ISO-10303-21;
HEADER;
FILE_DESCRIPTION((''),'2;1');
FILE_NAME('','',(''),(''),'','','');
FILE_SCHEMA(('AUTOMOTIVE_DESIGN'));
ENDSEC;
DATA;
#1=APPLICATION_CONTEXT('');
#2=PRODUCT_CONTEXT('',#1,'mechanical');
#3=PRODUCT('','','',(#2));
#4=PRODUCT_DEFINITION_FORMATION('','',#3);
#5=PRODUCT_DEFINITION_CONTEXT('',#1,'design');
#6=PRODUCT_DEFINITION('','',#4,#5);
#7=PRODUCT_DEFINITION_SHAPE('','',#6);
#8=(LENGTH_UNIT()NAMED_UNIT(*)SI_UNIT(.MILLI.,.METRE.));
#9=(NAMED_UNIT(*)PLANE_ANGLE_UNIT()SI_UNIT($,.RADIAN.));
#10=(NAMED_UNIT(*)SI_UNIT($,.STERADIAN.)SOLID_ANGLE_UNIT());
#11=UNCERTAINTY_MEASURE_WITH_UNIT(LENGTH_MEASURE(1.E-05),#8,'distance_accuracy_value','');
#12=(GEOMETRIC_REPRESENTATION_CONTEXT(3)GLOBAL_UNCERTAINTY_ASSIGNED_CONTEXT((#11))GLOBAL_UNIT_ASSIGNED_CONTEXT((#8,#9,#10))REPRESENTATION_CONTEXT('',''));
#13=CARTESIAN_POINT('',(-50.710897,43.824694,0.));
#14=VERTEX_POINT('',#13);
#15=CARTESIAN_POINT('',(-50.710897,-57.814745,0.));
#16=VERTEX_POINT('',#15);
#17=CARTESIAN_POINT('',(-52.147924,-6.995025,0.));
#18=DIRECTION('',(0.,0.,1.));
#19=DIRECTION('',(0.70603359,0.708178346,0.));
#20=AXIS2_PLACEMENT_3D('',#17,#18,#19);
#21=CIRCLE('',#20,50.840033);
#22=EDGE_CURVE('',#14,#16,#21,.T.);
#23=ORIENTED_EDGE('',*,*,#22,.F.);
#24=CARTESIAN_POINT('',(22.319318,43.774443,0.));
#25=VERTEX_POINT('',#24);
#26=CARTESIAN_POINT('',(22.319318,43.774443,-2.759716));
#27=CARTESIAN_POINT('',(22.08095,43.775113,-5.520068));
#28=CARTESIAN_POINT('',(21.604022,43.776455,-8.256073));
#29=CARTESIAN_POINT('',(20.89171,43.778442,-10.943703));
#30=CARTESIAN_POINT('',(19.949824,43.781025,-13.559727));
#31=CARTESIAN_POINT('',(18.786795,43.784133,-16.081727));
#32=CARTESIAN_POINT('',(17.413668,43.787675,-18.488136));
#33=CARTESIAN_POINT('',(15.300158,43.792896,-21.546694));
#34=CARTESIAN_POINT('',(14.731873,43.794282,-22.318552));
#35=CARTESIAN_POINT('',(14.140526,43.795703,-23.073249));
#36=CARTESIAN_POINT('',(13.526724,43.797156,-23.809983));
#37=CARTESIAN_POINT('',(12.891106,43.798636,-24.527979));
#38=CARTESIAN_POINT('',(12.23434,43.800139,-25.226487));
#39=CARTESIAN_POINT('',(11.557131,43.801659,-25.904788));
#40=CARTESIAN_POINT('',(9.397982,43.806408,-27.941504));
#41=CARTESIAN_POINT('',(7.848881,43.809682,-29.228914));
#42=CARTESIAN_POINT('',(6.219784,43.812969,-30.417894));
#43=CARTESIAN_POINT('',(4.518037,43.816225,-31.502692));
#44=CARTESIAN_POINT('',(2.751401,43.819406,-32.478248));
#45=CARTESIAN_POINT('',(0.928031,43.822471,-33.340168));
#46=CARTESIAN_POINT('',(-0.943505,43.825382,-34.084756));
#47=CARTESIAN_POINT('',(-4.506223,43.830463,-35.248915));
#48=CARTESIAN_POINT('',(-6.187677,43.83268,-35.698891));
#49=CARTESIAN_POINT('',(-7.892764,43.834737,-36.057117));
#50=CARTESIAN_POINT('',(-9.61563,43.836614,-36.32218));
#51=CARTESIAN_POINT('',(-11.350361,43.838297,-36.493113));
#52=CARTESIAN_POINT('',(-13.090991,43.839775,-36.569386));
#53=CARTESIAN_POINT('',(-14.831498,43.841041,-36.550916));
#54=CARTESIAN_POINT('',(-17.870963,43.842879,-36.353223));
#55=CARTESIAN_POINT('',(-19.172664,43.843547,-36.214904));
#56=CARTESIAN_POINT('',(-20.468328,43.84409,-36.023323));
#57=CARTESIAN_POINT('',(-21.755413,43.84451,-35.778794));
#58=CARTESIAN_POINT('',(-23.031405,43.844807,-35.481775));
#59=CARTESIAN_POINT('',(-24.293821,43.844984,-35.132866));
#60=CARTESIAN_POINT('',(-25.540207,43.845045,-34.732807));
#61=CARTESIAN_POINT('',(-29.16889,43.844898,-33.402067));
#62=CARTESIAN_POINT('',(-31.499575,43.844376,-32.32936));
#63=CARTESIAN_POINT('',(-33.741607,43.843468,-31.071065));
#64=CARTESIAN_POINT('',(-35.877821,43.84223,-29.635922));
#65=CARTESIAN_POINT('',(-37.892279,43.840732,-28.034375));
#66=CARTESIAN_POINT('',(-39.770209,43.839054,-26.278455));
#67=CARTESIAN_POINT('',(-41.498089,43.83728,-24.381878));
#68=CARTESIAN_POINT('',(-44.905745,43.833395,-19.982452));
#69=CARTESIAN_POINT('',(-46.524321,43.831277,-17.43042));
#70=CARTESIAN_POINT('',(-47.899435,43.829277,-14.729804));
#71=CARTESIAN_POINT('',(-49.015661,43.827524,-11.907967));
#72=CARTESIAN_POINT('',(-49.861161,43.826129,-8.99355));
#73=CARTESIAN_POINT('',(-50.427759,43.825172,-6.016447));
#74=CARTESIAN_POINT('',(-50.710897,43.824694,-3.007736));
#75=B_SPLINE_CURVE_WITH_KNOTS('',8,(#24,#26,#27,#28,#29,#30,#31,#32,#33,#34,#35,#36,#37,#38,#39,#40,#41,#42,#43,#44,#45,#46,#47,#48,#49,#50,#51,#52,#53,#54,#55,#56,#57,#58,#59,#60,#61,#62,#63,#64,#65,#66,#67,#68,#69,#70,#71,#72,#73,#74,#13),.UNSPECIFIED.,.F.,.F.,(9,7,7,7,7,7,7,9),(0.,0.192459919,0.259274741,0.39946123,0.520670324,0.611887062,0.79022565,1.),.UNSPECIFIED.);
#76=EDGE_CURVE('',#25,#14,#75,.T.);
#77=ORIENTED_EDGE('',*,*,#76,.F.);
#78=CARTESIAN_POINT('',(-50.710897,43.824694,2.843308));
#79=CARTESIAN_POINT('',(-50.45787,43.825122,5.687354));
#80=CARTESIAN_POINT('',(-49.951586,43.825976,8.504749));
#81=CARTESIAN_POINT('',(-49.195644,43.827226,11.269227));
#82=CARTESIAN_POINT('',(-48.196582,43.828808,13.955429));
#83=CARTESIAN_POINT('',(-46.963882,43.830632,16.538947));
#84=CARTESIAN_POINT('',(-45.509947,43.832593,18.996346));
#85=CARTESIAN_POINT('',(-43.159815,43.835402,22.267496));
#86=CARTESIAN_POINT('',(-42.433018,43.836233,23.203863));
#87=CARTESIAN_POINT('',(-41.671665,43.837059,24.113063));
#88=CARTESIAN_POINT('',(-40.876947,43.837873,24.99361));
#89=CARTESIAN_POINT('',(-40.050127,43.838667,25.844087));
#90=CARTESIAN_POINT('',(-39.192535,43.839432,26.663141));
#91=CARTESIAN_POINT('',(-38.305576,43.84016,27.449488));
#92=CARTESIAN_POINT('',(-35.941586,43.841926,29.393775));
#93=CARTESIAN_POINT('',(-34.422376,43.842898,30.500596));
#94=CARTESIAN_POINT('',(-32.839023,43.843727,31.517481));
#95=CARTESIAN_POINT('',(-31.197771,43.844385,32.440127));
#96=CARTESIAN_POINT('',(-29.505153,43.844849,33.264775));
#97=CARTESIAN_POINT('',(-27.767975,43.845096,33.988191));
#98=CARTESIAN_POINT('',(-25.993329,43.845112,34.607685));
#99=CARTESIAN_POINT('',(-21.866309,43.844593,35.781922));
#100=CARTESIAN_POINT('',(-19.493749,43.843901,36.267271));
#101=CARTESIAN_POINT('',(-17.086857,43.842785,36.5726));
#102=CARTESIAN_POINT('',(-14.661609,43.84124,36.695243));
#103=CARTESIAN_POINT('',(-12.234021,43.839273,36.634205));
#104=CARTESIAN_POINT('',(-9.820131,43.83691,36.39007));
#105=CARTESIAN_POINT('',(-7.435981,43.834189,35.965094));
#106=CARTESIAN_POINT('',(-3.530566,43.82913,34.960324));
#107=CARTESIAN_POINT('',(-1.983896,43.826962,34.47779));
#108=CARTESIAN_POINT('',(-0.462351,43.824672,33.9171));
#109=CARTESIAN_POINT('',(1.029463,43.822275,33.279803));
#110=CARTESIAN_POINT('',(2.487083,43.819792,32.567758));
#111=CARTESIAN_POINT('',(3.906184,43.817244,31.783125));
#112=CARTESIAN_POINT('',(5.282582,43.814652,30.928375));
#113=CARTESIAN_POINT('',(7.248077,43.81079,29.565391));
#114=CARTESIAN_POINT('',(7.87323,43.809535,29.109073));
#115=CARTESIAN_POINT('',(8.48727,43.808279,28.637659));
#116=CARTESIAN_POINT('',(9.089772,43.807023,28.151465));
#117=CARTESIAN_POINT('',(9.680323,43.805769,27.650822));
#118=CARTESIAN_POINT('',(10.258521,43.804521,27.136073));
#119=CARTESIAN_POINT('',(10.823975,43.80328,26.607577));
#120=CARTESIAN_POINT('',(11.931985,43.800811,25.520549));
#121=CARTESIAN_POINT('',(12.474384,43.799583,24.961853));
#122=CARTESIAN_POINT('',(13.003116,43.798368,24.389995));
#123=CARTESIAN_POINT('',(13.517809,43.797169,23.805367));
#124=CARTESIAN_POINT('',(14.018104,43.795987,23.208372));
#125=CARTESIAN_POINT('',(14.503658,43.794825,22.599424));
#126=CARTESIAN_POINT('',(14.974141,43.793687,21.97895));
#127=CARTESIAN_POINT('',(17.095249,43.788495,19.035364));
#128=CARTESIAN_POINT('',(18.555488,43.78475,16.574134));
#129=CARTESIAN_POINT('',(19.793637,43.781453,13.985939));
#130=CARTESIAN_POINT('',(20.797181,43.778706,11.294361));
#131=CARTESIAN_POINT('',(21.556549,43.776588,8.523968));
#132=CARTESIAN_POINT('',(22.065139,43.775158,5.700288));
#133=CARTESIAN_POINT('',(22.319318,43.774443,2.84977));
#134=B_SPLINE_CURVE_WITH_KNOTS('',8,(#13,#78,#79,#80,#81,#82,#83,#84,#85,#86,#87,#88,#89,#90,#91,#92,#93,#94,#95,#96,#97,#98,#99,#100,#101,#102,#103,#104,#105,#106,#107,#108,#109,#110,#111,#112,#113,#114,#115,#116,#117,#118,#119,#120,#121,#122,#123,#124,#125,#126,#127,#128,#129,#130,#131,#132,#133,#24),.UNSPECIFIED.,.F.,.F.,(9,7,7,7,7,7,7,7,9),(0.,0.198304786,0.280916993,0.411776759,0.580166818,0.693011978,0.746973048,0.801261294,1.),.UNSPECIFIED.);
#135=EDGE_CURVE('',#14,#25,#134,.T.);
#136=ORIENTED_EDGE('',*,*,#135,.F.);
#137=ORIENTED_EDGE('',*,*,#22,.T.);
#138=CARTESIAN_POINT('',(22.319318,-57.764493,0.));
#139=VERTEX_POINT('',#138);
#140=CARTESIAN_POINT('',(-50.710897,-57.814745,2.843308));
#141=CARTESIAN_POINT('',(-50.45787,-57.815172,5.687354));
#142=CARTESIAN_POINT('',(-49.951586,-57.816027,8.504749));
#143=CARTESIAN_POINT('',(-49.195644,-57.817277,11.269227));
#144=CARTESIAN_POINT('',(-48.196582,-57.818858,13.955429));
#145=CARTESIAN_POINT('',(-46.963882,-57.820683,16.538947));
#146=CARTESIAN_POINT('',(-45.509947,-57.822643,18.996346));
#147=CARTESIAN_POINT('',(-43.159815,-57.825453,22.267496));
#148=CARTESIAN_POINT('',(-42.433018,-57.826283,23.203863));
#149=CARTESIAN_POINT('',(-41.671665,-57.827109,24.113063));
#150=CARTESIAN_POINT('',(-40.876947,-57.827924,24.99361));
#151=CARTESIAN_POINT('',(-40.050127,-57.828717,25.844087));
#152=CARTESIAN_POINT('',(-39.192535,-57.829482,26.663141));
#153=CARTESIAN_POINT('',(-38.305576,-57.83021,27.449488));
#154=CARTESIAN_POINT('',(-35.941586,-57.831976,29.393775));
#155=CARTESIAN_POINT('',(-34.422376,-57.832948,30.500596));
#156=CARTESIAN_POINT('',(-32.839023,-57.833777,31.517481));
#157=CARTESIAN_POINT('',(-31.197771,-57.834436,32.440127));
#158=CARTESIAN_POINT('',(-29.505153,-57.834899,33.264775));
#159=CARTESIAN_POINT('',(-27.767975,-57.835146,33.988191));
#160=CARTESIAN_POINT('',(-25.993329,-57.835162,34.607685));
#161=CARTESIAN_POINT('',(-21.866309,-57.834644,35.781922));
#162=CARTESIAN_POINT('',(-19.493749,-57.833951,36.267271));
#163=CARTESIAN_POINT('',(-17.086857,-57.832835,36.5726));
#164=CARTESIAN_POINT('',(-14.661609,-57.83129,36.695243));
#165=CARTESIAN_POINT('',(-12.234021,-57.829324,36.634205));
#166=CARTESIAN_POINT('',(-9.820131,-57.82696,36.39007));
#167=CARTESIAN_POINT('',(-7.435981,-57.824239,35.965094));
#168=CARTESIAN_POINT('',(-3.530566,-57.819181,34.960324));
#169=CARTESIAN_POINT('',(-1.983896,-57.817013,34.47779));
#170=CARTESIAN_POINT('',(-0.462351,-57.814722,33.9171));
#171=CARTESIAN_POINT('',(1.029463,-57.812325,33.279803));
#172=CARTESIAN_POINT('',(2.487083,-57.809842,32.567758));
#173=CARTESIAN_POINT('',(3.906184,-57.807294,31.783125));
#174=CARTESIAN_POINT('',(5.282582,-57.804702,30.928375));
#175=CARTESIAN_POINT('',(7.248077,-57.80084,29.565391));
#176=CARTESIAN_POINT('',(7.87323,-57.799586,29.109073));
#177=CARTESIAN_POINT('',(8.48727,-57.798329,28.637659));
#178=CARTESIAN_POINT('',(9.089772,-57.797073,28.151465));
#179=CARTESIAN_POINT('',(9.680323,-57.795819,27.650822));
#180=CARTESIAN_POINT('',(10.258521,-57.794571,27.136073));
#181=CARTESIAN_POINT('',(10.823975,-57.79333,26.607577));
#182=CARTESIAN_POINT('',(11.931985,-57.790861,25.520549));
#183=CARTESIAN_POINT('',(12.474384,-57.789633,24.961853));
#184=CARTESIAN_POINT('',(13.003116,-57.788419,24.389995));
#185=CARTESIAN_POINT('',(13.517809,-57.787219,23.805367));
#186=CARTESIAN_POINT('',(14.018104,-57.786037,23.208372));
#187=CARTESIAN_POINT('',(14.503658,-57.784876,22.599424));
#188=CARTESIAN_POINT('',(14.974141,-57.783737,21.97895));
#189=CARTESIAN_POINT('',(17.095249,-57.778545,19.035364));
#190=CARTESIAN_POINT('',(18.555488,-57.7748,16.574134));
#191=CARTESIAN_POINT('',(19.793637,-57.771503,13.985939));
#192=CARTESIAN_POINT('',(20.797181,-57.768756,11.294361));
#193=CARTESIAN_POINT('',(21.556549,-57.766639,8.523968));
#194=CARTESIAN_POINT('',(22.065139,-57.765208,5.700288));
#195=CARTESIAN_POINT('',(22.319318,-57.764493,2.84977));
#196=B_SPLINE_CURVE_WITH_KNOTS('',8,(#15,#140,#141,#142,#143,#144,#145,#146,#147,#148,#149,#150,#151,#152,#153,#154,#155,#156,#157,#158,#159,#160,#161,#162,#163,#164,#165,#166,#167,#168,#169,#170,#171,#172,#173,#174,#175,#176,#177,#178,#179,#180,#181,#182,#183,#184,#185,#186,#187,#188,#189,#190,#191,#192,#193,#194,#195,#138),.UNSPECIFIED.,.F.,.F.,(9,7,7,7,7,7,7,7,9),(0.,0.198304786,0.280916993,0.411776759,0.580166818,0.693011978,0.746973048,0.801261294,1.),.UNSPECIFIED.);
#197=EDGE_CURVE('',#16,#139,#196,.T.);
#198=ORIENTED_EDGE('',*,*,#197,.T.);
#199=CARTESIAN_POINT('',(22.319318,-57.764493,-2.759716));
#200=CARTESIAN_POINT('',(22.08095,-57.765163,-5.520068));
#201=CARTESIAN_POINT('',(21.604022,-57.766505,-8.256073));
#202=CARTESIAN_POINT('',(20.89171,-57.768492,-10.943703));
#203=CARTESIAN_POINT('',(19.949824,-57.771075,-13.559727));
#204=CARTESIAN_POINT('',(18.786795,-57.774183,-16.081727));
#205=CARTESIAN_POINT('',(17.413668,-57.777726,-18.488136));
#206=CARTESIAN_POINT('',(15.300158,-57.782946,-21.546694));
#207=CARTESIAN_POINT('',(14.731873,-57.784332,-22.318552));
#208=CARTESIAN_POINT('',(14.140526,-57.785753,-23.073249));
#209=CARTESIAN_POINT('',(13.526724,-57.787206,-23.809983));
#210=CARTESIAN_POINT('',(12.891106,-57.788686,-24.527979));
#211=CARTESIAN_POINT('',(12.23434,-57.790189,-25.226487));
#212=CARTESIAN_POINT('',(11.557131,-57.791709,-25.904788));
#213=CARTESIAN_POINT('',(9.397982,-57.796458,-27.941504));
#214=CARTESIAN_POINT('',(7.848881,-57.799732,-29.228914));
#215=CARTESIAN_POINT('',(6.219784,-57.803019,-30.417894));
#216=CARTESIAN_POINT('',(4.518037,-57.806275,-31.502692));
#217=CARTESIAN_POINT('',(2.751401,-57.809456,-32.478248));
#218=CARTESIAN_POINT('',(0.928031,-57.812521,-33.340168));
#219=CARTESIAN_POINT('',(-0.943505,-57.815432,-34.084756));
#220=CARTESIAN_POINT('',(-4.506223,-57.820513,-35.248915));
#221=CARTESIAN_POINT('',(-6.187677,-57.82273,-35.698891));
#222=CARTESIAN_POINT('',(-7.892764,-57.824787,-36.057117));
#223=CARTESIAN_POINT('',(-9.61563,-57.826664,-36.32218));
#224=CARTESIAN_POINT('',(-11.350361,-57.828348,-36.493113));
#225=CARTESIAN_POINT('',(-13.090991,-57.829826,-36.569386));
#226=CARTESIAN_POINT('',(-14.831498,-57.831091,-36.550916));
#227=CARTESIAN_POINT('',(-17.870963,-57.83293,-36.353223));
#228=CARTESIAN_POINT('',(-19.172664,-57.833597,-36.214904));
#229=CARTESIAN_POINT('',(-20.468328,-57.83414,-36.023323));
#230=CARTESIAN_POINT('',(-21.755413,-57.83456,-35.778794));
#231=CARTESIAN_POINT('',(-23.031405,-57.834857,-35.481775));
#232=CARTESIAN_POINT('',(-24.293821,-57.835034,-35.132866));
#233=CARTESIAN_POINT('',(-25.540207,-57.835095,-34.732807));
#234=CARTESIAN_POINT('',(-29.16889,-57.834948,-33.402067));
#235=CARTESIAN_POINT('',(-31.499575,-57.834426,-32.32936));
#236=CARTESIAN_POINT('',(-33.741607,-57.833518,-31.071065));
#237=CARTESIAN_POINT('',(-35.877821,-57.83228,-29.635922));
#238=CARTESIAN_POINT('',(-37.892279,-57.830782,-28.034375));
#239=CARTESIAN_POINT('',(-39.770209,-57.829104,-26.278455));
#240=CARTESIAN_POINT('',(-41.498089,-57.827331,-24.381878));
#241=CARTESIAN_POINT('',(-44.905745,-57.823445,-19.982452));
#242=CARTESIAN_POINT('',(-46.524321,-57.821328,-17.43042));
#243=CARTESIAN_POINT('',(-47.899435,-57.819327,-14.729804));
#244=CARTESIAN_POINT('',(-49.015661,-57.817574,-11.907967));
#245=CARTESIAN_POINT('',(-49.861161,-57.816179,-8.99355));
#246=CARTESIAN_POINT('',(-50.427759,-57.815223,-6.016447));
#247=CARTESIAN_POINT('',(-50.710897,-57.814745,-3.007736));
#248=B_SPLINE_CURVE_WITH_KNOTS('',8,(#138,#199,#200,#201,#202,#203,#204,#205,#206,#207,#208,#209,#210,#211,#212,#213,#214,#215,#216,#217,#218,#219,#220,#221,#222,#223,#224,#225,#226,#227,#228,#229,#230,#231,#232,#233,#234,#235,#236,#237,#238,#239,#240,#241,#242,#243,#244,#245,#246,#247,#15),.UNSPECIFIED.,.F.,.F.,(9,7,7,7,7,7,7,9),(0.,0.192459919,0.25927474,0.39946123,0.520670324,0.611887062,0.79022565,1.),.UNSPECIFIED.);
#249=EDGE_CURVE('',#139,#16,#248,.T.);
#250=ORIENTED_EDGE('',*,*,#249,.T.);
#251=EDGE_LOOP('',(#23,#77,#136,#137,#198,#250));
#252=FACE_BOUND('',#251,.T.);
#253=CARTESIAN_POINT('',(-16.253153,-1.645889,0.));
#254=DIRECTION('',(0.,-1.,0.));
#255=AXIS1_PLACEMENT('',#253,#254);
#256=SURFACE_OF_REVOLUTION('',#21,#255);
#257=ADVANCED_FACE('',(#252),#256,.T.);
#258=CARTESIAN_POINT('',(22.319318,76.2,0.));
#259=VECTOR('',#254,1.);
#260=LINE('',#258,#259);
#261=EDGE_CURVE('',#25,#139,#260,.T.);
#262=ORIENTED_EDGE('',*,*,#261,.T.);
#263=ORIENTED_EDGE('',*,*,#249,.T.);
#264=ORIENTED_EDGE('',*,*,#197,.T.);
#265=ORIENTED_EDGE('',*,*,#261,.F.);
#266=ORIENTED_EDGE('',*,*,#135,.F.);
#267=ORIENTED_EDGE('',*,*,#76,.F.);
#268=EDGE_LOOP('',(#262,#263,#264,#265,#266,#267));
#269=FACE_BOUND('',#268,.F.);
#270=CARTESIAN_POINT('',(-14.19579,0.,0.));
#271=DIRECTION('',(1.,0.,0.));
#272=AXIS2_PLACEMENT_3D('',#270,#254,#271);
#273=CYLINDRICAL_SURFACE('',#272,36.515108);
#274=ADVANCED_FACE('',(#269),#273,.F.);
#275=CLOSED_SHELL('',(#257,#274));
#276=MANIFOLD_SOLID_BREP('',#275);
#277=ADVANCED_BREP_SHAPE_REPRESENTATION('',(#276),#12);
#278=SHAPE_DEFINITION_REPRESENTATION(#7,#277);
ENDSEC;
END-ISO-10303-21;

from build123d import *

# Parameters (mm, degrees)
F1_DEPTH = 152.4
F5_R     = 36.5151076764
F6_DEPTH = 76.2


with BuildPart() as f1:
    # F0 (on Top) → F1 (new body)
    with BuildSketch(Plane.XY):
        with BuildLine():
            add(Edge.make_bspline(
                [(-30.1583763212, 26.8533546478), (-35.5003351395, 29.3716106811), (-51.0884137789, 9.6325041789), (-25.2860844502, -4.9136502048), (-45.0252250448, -42.8862151644), (8.5882174045, 8.4418630123), (27.5078921363, -21.9533160161), (34.085605065, -14.777172224), (32.6714684541, 29.7125514383), (9.6282544541, 20.9931932278), (-10.5520933547, 73.391258381), (-25.584204402, 36.4452356852), (-18.7180254716, 37.9365806871), (-17.0410387376, -9.9149224662), (-24.4521007861, 24.1633558509), (-30.1583763212, 26.8533546478)],
                knots=[0, 0, 0, 0, 0.0718142004, 0.1538074866, 0.2258423664, 0.338821539, 0.4206418103, 0.457998906, 0.5591681116, 0.6268881468, 0.7276936964, 0.8033833284, 0.8374228011, 0.9232881367, 1, 1, 1, 1], degree=3))
        make_face()
    extrude(amount=F1_DEPTH)


with BuildPart() as f4:
    # F3 (on Top) → F4 (revolve)
    with BuildSketch(Plane.XY):
        with BuildLine():
            Line((-16.2531528622, -42.9988354445), (-16.2531528622, 29.0087852627))
            ThreePointArc((-16.2531528622, 29.0087852627), (-102.9879565253, -6.9950250909), (-16.2531528622, -42.9988354445))
        make_face()
    revolve(axis=Axis((-16.2531528622, -1.6458891332, 0), (0, -1, 0)))

    # F5 (on Front) → F6 (cut, symmetric)
    with BuildSketch(Plane.XZ):
        with Locations((-14.195789583, 0)):
            Circle(F5_R)
    extrude(amount=F6_DEPTH, both=True, mode=Mode.SUBTRACT)


solid = f4.part
